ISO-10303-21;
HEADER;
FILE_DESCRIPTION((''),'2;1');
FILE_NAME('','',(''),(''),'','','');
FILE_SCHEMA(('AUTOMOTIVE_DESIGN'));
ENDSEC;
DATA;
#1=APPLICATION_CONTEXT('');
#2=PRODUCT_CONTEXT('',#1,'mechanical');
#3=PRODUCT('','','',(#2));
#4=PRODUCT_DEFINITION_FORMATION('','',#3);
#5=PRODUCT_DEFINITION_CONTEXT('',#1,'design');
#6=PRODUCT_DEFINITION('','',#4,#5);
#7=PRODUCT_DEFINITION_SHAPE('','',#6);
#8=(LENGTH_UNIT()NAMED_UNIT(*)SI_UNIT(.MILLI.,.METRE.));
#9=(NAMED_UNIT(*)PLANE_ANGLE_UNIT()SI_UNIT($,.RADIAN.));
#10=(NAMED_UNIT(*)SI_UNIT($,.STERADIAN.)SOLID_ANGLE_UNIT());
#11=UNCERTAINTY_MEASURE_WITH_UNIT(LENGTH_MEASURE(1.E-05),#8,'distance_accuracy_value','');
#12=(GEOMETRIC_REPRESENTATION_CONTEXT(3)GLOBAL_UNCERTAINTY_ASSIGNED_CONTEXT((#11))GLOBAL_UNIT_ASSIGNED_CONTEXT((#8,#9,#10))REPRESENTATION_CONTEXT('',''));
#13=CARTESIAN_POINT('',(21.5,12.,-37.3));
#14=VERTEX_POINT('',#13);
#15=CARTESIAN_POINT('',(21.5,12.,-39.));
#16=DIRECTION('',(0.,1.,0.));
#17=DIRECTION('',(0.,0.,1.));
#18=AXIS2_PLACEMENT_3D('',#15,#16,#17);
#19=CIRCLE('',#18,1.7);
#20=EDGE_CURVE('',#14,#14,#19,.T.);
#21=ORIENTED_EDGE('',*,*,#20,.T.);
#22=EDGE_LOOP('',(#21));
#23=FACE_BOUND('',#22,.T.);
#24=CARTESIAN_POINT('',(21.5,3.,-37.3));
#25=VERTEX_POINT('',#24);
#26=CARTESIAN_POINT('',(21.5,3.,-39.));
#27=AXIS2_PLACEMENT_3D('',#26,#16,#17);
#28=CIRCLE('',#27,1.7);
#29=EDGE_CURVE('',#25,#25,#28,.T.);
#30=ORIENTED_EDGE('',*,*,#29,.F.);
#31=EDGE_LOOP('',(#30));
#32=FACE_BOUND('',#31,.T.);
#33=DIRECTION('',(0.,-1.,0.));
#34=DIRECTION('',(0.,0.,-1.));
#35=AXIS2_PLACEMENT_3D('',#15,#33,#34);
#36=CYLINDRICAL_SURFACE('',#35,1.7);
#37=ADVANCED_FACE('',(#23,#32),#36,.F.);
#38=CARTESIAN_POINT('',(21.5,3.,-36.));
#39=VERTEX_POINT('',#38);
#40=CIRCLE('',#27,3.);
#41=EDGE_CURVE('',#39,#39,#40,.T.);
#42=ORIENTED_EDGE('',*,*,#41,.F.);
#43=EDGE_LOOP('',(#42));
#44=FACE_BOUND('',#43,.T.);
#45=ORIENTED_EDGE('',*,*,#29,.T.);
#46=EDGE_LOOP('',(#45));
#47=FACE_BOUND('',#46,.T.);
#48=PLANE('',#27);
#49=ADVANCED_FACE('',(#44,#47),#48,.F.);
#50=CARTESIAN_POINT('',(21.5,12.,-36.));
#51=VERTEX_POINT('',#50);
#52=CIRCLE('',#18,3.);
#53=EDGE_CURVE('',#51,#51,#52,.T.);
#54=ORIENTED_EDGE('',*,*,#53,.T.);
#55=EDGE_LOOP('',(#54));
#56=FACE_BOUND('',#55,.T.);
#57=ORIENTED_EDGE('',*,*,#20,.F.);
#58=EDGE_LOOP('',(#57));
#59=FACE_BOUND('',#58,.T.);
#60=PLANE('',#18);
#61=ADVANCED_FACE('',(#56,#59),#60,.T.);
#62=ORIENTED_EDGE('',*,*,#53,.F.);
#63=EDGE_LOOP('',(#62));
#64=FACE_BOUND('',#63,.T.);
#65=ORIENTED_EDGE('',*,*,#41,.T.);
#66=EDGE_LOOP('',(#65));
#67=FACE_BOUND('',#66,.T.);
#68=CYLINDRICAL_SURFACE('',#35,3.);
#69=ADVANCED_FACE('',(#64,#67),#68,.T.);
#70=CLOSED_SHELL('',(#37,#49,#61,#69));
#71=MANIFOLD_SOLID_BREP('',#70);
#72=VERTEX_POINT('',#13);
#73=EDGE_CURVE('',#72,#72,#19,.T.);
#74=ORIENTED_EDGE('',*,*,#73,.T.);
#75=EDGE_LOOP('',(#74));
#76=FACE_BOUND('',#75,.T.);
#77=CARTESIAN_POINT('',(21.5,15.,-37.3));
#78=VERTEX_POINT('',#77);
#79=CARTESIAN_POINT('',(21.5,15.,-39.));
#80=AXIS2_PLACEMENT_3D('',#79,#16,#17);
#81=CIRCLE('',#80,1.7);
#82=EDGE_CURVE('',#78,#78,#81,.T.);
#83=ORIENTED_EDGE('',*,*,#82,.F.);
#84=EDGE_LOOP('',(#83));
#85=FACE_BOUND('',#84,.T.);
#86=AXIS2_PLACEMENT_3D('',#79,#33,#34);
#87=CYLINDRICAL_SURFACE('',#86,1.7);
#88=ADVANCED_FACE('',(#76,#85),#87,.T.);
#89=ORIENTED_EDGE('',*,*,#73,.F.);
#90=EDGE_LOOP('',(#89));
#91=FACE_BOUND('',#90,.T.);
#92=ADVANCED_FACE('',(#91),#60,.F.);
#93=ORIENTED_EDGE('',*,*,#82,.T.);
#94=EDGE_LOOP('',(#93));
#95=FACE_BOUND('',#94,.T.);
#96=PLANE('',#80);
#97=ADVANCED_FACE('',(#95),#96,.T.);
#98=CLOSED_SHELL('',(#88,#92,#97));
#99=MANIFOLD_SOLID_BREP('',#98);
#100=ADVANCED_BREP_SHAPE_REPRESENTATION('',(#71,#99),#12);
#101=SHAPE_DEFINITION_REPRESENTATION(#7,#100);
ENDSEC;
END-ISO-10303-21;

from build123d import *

# Parameters (mm, degrees)
SKETCH1_R           = 3
SKETCH1_R_2         = 1.7
BOSS_EXTRUDE1_DEPTH = 9
SKETCH2_R           = 1.7
BOSS_EXTRUDE2_DEPTH = 3


with BuildPart() as part:
    # Sketch1 → Boss-Extrude1 (new body)
    with BuildSketch(Plane(origin=(0, 3, 0), x_dir=(1, 0, 0), z_dir=(0, 1, 0))):
        with Locations(Location((21.5, 39, 0), (0, 0, 270))):
            Circle(SKETCH1_R)
        with Locations(Location((21.5, 39, 0), (0, 0, 270))):
            Circle(SKETCH1_R_2, mode=Mode.SUBTRACT)
    extrude(amount=BOSS_EXTRUDE1_DEPTH)


with BuildPart() as body_2:
    # Sketch2 → Boss-Extrude2 (new body)
    with BuildSketch(Plane(origin=(0, 12, 0), x_dir=(1, 0, 0), z_dir=(0, 1, 0))):
        with Locations(Location((21.5, 39, 0), (0, 0, 270))):
            Circle(SKETCH2_R)
    extrude(amount=BOSS_EXTRUDE2_DEPTH)


solid = Compound([part.part, body_2.part])
